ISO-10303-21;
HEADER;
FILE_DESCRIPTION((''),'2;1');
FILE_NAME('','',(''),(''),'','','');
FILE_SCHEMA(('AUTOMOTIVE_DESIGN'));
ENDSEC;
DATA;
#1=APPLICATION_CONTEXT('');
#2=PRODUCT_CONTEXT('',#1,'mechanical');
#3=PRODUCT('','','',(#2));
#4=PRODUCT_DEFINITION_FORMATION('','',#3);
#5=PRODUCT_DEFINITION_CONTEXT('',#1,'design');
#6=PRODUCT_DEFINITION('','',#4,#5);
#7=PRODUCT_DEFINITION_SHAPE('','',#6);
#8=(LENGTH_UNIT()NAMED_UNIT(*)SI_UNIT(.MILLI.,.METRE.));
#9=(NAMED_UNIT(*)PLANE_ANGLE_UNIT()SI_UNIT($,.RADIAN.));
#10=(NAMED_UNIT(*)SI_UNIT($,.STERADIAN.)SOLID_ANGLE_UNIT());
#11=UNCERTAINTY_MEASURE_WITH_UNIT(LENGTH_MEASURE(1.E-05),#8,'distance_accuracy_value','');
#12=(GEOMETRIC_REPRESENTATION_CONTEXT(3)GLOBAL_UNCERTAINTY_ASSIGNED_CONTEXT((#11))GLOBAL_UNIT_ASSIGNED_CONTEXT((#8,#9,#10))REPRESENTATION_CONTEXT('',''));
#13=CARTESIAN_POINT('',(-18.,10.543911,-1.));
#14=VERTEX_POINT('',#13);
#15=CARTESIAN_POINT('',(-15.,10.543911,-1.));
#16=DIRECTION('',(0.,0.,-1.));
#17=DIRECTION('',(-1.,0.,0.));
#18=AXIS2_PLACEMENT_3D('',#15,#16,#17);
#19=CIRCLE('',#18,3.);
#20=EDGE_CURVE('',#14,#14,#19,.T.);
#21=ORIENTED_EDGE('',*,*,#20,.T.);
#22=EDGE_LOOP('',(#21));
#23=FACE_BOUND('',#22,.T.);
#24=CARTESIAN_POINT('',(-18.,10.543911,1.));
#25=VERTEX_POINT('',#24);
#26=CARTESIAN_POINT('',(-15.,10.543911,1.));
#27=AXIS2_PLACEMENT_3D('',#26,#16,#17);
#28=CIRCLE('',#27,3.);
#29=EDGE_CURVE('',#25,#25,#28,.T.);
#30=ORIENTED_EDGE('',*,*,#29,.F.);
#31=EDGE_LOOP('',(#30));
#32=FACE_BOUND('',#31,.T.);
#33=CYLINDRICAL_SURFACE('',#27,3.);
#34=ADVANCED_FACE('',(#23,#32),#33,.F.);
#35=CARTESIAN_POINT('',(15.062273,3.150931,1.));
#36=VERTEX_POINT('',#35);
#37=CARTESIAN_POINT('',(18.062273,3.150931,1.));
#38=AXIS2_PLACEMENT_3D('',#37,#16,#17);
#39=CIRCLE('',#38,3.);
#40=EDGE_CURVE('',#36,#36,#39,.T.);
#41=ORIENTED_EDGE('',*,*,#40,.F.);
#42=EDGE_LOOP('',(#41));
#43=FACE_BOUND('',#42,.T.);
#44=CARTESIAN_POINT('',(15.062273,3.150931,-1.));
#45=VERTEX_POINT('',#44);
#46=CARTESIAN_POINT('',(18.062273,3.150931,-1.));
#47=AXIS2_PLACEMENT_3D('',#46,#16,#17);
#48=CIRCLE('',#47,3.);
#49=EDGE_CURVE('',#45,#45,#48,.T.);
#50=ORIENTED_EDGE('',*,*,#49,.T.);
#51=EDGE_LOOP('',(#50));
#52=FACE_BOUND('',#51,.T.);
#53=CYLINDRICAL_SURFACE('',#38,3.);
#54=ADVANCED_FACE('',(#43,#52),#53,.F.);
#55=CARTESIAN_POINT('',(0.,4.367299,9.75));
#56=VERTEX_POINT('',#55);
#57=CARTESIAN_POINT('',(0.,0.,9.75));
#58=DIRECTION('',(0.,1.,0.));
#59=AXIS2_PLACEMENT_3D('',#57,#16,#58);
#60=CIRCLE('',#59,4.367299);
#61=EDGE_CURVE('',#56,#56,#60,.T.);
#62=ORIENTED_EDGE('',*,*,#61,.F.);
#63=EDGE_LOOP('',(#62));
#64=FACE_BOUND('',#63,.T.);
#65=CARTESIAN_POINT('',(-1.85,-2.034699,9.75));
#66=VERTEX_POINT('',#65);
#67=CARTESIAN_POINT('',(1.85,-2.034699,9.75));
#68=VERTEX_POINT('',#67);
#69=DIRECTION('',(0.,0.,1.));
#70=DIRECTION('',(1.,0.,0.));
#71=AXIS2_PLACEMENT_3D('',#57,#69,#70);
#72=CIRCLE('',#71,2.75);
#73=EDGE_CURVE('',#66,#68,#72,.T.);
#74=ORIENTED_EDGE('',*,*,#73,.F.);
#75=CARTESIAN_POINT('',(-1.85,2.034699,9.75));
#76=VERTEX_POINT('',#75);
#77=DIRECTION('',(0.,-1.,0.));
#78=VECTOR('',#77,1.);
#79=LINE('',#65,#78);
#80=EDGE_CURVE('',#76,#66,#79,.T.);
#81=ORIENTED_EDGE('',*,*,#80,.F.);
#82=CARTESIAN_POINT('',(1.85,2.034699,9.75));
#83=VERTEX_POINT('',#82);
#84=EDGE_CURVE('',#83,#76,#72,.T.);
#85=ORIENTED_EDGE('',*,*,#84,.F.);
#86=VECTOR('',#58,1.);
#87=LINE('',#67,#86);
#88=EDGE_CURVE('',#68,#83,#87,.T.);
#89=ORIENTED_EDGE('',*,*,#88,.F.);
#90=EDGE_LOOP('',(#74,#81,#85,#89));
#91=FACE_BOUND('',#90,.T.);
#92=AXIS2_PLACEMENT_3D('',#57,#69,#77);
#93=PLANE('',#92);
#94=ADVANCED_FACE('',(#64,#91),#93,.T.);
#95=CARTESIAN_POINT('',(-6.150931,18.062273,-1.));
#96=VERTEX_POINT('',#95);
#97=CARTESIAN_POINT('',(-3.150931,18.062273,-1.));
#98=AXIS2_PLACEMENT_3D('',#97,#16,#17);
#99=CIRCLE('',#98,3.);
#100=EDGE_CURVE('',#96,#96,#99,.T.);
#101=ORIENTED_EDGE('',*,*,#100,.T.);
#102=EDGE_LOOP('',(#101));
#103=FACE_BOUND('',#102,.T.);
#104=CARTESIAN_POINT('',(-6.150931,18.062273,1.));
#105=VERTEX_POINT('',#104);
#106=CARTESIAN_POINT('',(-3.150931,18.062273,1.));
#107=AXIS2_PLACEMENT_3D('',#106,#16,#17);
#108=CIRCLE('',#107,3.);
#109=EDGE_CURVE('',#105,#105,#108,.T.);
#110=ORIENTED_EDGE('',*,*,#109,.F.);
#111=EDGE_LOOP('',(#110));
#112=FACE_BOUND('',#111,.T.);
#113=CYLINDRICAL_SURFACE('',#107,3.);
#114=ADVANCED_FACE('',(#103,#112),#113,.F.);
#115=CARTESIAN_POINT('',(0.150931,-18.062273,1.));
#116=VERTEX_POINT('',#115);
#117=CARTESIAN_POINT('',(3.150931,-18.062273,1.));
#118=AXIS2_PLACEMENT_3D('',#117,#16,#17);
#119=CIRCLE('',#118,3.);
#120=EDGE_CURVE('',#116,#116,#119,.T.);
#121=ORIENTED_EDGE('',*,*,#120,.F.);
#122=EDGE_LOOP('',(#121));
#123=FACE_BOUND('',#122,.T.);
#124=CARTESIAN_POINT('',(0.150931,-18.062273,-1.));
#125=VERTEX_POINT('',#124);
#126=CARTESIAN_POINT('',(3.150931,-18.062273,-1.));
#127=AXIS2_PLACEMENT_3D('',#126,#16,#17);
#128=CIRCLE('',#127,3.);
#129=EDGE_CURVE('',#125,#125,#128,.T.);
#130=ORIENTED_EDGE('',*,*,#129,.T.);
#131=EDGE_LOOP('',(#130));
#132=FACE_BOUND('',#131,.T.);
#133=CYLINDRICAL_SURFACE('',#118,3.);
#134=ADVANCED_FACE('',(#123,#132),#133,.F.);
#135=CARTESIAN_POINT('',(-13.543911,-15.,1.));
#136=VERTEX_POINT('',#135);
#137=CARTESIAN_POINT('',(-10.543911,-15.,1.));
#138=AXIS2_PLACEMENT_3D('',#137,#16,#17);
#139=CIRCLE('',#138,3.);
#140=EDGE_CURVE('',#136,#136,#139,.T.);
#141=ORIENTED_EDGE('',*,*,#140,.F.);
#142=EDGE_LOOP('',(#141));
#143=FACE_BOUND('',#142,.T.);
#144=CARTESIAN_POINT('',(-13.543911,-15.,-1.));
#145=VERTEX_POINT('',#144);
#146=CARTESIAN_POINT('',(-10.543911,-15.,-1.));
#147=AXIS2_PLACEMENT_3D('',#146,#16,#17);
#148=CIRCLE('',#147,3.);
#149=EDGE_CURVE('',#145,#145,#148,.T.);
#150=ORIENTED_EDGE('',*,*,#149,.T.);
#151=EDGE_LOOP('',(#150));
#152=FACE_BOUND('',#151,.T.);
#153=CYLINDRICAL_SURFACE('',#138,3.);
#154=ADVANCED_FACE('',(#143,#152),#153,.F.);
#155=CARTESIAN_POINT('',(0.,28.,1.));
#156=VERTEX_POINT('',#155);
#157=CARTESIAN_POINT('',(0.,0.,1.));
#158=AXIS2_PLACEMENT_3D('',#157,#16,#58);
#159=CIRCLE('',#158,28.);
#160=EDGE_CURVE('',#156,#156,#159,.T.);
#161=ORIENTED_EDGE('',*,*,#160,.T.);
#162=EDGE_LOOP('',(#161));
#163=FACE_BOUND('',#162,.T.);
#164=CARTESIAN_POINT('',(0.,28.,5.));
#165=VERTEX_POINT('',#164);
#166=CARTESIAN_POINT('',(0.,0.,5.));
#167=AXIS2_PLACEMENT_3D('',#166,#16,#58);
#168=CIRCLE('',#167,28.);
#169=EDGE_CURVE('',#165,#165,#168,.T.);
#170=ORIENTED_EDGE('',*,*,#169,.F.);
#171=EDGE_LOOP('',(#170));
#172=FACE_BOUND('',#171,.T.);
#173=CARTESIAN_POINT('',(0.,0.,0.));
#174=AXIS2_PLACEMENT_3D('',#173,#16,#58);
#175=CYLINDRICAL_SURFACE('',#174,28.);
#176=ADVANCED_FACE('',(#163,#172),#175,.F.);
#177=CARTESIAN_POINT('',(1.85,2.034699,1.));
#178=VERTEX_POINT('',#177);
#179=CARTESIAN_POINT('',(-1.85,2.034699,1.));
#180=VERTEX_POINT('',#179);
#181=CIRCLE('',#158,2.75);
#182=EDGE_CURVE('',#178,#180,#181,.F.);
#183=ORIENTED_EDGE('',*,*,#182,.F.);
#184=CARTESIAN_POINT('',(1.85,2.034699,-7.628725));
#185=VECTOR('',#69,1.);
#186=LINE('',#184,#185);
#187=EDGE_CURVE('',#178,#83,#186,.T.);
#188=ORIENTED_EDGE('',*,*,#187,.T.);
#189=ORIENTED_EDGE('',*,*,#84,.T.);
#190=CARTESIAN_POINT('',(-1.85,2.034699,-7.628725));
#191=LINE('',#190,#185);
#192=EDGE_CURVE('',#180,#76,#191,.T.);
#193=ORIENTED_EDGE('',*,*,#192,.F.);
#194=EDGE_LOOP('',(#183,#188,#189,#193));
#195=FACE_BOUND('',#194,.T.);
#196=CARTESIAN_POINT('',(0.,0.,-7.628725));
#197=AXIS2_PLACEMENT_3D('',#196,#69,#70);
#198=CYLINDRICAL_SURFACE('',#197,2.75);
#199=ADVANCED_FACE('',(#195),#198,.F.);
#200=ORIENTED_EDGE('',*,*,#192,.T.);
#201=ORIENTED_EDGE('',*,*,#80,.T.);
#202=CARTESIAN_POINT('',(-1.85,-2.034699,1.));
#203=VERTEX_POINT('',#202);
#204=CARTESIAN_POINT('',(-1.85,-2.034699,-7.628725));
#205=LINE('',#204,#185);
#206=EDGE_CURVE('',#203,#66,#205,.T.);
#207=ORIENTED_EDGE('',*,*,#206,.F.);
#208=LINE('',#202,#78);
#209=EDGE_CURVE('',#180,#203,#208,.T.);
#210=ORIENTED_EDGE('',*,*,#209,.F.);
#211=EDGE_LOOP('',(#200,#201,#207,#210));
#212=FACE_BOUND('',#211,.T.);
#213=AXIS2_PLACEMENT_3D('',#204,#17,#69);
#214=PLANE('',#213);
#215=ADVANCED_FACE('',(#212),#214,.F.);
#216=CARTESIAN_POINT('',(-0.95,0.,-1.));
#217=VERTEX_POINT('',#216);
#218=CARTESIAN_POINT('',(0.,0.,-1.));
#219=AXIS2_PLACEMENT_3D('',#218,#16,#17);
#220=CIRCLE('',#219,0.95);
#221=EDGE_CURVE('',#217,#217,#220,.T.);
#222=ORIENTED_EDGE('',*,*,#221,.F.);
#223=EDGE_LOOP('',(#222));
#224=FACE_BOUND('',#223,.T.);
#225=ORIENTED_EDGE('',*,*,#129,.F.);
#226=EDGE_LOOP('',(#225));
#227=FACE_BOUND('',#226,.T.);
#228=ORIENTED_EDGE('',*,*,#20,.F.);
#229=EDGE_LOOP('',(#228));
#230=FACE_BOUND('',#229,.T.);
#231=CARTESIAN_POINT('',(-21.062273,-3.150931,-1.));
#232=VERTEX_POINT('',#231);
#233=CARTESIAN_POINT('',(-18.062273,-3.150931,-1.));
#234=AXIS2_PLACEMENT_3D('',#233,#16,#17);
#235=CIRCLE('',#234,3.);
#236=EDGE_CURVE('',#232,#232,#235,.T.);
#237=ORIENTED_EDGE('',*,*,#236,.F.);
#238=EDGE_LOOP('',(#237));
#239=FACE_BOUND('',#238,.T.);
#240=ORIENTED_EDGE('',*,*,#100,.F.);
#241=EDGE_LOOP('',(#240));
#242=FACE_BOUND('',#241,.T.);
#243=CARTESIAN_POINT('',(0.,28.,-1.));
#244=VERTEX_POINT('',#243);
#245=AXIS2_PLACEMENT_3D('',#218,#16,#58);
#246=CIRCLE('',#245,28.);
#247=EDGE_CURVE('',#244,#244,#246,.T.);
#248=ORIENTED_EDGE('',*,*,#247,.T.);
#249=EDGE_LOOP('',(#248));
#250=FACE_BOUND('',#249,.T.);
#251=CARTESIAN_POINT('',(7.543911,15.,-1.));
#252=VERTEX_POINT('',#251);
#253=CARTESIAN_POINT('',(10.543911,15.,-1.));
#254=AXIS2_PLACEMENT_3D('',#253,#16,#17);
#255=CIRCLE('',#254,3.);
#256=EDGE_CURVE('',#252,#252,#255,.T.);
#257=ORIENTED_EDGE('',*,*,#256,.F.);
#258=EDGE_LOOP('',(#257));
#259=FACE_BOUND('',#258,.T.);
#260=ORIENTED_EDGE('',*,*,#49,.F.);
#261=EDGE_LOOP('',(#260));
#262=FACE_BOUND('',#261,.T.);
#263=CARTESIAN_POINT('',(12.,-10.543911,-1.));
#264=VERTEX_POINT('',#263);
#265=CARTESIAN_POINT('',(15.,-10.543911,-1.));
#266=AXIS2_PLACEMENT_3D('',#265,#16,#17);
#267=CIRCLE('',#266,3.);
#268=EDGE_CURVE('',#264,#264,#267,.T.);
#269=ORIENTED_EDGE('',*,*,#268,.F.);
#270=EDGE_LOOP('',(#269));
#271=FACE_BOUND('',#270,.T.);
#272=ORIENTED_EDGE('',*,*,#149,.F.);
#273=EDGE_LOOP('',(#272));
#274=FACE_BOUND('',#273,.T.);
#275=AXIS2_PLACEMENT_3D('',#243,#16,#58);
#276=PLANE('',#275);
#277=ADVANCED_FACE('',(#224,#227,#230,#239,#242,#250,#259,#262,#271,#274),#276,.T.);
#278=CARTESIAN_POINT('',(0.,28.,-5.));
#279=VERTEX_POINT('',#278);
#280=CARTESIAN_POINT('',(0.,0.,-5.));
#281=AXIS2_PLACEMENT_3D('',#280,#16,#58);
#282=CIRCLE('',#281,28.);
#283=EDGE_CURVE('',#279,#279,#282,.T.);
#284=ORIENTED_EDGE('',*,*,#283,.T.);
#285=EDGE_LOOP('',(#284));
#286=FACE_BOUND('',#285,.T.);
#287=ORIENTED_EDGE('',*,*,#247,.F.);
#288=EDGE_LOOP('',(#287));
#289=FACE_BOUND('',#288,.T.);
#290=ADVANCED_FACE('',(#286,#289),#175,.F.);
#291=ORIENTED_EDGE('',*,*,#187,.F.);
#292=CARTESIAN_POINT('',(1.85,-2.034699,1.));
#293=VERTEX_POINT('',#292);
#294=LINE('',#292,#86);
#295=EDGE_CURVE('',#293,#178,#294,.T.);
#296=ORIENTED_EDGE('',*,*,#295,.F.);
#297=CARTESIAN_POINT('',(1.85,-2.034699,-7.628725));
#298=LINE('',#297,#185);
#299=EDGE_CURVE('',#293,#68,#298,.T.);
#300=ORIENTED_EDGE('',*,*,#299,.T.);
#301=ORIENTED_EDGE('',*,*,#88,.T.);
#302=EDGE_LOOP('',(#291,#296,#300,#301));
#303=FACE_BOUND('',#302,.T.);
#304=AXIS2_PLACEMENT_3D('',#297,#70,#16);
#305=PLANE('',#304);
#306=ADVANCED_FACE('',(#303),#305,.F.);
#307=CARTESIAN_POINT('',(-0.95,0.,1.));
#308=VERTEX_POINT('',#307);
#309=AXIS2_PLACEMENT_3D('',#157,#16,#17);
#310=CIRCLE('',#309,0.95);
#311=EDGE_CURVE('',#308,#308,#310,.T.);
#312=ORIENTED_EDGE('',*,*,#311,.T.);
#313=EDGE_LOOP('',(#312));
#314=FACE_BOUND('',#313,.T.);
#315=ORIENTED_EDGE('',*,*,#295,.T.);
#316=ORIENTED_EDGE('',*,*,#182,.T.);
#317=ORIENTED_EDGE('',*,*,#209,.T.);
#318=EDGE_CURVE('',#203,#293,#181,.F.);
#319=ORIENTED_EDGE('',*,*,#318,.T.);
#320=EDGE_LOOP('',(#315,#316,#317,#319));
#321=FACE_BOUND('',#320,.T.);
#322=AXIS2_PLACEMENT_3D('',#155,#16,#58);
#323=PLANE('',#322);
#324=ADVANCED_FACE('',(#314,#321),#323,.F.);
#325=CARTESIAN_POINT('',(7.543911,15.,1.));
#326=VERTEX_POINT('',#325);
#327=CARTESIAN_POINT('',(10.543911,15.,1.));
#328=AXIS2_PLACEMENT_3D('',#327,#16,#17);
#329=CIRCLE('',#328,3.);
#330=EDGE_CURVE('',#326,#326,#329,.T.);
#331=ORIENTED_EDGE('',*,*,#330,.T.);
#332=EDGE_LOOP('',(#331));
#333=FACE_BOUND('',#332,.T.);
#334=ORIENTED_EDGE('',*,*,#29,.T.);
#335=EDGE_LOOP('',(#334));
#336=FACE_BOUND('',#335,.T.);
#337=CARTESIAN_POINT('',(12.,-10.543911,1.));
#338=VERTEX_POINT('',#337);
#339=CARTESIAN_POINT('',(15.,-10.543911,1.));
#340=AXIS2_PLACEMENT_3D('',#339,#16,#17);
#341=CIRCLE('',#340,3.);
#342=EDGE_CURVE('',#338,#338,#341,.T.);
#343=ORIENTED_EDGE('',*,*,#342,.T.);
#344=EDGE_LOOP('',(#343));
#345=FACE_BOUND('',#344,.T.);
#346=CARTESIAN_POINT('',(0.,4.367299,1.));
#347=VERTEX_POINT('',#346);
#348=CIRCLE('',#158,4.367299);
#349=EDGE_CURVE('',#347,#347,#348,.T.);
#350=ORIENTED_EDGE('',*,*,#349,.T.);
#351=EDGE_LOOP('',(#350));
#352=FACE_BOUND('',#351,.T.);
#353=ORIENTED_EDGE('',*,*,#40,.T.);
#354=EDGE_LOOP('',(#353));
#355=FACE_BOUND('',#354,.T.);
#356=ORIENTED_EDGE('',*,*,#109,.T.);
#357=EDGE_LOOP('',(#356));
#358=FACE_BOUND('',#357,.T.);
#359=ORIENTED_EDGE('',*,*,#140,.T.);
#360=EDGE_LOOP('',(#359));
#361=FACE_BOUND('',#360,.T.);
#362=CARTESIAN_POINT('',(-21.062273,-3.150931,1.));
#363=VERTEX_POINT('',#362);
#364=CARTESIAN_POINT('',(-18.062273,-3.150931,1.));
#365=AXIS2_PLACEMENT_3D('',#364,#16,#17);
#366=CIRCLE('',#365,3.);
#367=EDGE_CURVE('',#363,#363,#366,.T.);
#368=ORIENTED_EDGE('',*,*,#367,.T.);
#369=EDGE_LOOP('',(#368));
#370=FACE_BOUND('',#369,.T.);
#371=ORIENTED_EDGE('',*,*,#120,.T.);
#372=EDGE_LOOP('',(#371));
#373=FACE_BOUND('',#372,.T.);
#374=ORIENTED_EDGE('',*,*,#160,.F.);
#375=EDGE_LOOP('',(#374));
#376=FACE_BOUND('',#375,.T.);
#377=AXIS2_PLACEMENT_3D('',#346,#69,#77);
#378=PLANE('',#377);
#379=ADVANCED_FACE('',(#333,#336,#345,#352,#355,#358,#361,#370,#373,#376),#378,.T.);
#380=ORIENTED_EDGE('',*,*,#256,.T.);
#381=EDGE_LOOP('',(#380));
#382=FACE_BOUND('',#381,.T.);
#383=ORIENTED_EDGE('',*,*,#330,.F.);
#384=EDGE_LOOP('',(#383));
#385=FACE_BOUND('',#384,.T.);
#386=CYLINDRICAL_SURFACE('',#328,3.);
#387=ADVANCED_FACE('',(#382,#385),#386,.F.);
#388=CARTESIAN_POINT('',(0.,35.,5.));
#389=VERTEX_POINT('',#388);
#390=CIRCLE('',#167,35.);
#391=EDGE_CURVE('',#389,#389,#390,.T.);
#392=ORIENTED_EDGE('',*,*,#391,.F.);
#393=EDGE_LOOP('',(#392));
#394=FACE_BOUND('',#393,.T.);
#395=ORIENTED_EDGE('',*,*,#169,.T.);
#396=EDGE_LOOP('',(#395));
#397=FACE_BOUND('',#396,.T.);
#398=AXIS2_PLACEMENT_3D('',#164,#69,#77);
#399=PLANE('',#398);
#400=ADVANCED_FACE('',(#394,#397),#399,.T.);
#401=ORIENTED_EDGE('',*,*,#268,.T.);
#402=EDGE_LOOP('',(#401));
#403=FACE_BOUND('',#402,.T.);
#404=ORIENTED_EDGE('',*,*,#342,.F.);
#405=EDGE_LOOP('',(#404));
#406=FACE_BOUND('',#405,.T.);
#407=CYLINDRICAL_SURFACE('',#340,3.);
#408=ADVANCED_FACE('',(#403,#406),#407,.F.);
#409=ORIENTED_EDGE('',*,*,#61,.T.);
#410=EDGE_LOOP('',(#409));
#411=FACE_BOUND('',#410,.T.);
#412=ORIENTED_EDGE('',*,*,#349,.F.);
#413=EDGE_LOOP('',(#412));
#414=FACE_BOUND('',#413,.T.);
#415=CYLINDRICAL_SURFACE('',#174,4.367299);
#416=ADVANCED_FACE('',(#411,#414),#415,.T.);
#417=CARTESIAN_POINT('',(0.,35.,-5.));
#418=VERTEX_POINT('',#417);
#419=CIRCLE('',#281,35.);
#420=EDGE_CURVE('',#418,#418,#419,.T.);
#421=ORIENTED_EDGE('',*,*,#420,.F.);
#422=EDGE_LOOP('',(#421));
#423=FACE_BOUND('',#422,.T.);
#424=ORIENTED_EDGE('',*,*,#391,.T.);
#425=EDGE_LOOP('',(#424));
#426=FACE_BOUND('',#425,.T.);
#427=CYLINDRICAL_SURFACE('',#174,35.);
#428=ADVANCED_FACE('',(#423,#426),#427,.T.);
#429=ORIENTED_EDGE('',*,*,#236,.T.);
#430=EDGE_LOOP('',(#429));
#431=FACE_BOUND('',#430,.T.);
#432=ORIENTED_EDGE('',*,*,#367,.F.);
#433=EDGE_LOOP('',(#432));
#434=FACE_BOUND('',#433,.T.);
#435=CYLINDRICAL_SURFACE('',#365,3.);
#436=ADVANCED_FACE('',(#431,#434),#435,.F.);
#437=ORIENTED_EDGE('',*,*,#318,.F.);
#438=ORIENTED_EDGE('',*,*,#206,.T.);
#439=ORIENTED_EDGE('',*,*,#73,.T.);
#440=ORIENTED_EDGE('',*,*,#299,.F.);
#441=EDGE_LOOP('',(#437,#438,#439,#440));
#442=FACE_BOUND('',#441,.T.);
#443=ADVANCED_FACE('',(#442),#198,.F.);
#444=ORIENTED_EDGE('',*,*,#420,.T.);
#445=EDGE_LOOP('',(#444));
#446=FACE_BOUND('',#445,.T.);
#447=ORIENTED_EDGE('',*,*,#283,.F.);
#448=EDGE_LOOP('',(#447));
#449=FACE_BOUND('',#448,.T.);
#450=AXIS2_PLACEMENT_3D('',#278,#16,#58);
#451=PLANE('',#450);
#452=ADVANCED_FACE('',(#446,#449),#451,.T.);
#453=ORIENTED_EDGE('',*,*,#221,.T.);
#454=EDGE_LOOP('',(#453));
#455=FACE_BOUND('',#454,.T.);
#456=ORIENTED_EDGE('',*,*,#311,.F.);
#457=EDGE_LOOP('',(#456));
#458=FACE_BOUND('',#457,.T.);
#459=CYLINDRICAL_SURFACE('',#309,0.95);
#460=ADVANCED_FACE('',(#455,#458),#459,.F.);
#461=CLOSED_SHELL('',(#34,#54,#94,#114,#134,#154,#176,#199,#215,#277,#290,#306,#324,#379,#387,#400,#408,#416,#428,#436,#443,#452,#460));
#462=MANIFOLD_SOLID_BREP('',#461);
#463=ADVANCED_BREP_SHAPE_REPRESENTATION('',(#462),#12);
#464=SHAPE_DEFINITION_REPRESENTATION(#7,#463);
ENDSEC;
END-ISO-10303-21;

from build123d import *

# Parameters (mm, degrees)
SKETCH2_R          = 3
CUT_EXTRUDE1_DEPTH = 2
CUT_EXTRUDE2_DEPTH = 8.75
SKETCH4_R          = 0.95
CUT_EXTRUDE3_DEPTH = 2


with BuildPart() as part:
    # Sketch1 → Revolve1 (revolve)
    with BuildSketch(Plane(origin=(0, 0, 0), x_dir=(0, 0, -1), z_dir=(1, 0, 0))):
        Polygon((0, 0), (-9.75, 0), (-9.75, 4.367299354), (-1, 4.367299354), (-1, 28), (-5, 28), (-5, 35), (5, 35), (5, 28), (1, 28), (1, 0), align=None)
    revolve(axis=Axis((0, 0, 0), (0, 0, 1)))

    # Sketch2 → Cut-Extrude1 (cut)
    with BuildSketch(Plane(origin=(0, 0, -1), x_dir=(-1, 0, 0), z_dir=(0, 0, -1))):
        with Locations((-10.543910988, 15)):
            Circle(SKETCH2_R)
        with Locations((3.150930758, 18.062272677)):
            Circle(SKETCH2_R)
        with Locations((15, 10.543910988)):
            Circle(SKETCH2_R)
        with Locations((18.062272677, -3.150930758)):
            Circle(SKETCH2_R)
        with Locations((10.543910988, -15)):
            Circle(SKETCH2_R)
        with Locations((-3.150930758, -18.062272677)):
            Circle(SKETCH2_R)
        with Locations((-15, -10.543910988)):
            Circle(SKETCH2_R)
        with Locations((-18.062272677, 3.150930758)):
            Circle(SKETCH2_R)
    extrude(amount=-CUT_EXTRUDE1_DEPTH, mode=Mode.SUBTRACT)

    # Sketch3 → Cut-Extrude2 (cut)
    with BuildSketch(Plane.XY.offset(9.75)):
        with BuildLine():
            Line((1.85, -2.034698995), (1.85, 2.034698995))
            ThreePointArc((1.85, 2.034698995), (0, 2.75), (-1.85, 2.034698995))
            Line((-1.85, 2.034698995), (-1.85, -2.034698995))
            ThreePointArc((-1.85, -2.034698995), (0, -2.75), (1.85, -2.034698995))
        make_face()
    extrude(amount=-CUT_EXTRUDE2_DEPTH, mode=Mode.SUBTRACT)

    # Sketch4 → Cut-Extrude3 (cut)
    with BuildSketch(Plane(origin=(0, 0, -1), x_dir=(-1, 0, 0), z_dir=(0, 0, -1))):
        Circle(SKETCH4_R)
    extrude(amount=-CUT_EXTRUDE3_DEPTH, mode=Mode.SUBTRACT)


solid = part.part
